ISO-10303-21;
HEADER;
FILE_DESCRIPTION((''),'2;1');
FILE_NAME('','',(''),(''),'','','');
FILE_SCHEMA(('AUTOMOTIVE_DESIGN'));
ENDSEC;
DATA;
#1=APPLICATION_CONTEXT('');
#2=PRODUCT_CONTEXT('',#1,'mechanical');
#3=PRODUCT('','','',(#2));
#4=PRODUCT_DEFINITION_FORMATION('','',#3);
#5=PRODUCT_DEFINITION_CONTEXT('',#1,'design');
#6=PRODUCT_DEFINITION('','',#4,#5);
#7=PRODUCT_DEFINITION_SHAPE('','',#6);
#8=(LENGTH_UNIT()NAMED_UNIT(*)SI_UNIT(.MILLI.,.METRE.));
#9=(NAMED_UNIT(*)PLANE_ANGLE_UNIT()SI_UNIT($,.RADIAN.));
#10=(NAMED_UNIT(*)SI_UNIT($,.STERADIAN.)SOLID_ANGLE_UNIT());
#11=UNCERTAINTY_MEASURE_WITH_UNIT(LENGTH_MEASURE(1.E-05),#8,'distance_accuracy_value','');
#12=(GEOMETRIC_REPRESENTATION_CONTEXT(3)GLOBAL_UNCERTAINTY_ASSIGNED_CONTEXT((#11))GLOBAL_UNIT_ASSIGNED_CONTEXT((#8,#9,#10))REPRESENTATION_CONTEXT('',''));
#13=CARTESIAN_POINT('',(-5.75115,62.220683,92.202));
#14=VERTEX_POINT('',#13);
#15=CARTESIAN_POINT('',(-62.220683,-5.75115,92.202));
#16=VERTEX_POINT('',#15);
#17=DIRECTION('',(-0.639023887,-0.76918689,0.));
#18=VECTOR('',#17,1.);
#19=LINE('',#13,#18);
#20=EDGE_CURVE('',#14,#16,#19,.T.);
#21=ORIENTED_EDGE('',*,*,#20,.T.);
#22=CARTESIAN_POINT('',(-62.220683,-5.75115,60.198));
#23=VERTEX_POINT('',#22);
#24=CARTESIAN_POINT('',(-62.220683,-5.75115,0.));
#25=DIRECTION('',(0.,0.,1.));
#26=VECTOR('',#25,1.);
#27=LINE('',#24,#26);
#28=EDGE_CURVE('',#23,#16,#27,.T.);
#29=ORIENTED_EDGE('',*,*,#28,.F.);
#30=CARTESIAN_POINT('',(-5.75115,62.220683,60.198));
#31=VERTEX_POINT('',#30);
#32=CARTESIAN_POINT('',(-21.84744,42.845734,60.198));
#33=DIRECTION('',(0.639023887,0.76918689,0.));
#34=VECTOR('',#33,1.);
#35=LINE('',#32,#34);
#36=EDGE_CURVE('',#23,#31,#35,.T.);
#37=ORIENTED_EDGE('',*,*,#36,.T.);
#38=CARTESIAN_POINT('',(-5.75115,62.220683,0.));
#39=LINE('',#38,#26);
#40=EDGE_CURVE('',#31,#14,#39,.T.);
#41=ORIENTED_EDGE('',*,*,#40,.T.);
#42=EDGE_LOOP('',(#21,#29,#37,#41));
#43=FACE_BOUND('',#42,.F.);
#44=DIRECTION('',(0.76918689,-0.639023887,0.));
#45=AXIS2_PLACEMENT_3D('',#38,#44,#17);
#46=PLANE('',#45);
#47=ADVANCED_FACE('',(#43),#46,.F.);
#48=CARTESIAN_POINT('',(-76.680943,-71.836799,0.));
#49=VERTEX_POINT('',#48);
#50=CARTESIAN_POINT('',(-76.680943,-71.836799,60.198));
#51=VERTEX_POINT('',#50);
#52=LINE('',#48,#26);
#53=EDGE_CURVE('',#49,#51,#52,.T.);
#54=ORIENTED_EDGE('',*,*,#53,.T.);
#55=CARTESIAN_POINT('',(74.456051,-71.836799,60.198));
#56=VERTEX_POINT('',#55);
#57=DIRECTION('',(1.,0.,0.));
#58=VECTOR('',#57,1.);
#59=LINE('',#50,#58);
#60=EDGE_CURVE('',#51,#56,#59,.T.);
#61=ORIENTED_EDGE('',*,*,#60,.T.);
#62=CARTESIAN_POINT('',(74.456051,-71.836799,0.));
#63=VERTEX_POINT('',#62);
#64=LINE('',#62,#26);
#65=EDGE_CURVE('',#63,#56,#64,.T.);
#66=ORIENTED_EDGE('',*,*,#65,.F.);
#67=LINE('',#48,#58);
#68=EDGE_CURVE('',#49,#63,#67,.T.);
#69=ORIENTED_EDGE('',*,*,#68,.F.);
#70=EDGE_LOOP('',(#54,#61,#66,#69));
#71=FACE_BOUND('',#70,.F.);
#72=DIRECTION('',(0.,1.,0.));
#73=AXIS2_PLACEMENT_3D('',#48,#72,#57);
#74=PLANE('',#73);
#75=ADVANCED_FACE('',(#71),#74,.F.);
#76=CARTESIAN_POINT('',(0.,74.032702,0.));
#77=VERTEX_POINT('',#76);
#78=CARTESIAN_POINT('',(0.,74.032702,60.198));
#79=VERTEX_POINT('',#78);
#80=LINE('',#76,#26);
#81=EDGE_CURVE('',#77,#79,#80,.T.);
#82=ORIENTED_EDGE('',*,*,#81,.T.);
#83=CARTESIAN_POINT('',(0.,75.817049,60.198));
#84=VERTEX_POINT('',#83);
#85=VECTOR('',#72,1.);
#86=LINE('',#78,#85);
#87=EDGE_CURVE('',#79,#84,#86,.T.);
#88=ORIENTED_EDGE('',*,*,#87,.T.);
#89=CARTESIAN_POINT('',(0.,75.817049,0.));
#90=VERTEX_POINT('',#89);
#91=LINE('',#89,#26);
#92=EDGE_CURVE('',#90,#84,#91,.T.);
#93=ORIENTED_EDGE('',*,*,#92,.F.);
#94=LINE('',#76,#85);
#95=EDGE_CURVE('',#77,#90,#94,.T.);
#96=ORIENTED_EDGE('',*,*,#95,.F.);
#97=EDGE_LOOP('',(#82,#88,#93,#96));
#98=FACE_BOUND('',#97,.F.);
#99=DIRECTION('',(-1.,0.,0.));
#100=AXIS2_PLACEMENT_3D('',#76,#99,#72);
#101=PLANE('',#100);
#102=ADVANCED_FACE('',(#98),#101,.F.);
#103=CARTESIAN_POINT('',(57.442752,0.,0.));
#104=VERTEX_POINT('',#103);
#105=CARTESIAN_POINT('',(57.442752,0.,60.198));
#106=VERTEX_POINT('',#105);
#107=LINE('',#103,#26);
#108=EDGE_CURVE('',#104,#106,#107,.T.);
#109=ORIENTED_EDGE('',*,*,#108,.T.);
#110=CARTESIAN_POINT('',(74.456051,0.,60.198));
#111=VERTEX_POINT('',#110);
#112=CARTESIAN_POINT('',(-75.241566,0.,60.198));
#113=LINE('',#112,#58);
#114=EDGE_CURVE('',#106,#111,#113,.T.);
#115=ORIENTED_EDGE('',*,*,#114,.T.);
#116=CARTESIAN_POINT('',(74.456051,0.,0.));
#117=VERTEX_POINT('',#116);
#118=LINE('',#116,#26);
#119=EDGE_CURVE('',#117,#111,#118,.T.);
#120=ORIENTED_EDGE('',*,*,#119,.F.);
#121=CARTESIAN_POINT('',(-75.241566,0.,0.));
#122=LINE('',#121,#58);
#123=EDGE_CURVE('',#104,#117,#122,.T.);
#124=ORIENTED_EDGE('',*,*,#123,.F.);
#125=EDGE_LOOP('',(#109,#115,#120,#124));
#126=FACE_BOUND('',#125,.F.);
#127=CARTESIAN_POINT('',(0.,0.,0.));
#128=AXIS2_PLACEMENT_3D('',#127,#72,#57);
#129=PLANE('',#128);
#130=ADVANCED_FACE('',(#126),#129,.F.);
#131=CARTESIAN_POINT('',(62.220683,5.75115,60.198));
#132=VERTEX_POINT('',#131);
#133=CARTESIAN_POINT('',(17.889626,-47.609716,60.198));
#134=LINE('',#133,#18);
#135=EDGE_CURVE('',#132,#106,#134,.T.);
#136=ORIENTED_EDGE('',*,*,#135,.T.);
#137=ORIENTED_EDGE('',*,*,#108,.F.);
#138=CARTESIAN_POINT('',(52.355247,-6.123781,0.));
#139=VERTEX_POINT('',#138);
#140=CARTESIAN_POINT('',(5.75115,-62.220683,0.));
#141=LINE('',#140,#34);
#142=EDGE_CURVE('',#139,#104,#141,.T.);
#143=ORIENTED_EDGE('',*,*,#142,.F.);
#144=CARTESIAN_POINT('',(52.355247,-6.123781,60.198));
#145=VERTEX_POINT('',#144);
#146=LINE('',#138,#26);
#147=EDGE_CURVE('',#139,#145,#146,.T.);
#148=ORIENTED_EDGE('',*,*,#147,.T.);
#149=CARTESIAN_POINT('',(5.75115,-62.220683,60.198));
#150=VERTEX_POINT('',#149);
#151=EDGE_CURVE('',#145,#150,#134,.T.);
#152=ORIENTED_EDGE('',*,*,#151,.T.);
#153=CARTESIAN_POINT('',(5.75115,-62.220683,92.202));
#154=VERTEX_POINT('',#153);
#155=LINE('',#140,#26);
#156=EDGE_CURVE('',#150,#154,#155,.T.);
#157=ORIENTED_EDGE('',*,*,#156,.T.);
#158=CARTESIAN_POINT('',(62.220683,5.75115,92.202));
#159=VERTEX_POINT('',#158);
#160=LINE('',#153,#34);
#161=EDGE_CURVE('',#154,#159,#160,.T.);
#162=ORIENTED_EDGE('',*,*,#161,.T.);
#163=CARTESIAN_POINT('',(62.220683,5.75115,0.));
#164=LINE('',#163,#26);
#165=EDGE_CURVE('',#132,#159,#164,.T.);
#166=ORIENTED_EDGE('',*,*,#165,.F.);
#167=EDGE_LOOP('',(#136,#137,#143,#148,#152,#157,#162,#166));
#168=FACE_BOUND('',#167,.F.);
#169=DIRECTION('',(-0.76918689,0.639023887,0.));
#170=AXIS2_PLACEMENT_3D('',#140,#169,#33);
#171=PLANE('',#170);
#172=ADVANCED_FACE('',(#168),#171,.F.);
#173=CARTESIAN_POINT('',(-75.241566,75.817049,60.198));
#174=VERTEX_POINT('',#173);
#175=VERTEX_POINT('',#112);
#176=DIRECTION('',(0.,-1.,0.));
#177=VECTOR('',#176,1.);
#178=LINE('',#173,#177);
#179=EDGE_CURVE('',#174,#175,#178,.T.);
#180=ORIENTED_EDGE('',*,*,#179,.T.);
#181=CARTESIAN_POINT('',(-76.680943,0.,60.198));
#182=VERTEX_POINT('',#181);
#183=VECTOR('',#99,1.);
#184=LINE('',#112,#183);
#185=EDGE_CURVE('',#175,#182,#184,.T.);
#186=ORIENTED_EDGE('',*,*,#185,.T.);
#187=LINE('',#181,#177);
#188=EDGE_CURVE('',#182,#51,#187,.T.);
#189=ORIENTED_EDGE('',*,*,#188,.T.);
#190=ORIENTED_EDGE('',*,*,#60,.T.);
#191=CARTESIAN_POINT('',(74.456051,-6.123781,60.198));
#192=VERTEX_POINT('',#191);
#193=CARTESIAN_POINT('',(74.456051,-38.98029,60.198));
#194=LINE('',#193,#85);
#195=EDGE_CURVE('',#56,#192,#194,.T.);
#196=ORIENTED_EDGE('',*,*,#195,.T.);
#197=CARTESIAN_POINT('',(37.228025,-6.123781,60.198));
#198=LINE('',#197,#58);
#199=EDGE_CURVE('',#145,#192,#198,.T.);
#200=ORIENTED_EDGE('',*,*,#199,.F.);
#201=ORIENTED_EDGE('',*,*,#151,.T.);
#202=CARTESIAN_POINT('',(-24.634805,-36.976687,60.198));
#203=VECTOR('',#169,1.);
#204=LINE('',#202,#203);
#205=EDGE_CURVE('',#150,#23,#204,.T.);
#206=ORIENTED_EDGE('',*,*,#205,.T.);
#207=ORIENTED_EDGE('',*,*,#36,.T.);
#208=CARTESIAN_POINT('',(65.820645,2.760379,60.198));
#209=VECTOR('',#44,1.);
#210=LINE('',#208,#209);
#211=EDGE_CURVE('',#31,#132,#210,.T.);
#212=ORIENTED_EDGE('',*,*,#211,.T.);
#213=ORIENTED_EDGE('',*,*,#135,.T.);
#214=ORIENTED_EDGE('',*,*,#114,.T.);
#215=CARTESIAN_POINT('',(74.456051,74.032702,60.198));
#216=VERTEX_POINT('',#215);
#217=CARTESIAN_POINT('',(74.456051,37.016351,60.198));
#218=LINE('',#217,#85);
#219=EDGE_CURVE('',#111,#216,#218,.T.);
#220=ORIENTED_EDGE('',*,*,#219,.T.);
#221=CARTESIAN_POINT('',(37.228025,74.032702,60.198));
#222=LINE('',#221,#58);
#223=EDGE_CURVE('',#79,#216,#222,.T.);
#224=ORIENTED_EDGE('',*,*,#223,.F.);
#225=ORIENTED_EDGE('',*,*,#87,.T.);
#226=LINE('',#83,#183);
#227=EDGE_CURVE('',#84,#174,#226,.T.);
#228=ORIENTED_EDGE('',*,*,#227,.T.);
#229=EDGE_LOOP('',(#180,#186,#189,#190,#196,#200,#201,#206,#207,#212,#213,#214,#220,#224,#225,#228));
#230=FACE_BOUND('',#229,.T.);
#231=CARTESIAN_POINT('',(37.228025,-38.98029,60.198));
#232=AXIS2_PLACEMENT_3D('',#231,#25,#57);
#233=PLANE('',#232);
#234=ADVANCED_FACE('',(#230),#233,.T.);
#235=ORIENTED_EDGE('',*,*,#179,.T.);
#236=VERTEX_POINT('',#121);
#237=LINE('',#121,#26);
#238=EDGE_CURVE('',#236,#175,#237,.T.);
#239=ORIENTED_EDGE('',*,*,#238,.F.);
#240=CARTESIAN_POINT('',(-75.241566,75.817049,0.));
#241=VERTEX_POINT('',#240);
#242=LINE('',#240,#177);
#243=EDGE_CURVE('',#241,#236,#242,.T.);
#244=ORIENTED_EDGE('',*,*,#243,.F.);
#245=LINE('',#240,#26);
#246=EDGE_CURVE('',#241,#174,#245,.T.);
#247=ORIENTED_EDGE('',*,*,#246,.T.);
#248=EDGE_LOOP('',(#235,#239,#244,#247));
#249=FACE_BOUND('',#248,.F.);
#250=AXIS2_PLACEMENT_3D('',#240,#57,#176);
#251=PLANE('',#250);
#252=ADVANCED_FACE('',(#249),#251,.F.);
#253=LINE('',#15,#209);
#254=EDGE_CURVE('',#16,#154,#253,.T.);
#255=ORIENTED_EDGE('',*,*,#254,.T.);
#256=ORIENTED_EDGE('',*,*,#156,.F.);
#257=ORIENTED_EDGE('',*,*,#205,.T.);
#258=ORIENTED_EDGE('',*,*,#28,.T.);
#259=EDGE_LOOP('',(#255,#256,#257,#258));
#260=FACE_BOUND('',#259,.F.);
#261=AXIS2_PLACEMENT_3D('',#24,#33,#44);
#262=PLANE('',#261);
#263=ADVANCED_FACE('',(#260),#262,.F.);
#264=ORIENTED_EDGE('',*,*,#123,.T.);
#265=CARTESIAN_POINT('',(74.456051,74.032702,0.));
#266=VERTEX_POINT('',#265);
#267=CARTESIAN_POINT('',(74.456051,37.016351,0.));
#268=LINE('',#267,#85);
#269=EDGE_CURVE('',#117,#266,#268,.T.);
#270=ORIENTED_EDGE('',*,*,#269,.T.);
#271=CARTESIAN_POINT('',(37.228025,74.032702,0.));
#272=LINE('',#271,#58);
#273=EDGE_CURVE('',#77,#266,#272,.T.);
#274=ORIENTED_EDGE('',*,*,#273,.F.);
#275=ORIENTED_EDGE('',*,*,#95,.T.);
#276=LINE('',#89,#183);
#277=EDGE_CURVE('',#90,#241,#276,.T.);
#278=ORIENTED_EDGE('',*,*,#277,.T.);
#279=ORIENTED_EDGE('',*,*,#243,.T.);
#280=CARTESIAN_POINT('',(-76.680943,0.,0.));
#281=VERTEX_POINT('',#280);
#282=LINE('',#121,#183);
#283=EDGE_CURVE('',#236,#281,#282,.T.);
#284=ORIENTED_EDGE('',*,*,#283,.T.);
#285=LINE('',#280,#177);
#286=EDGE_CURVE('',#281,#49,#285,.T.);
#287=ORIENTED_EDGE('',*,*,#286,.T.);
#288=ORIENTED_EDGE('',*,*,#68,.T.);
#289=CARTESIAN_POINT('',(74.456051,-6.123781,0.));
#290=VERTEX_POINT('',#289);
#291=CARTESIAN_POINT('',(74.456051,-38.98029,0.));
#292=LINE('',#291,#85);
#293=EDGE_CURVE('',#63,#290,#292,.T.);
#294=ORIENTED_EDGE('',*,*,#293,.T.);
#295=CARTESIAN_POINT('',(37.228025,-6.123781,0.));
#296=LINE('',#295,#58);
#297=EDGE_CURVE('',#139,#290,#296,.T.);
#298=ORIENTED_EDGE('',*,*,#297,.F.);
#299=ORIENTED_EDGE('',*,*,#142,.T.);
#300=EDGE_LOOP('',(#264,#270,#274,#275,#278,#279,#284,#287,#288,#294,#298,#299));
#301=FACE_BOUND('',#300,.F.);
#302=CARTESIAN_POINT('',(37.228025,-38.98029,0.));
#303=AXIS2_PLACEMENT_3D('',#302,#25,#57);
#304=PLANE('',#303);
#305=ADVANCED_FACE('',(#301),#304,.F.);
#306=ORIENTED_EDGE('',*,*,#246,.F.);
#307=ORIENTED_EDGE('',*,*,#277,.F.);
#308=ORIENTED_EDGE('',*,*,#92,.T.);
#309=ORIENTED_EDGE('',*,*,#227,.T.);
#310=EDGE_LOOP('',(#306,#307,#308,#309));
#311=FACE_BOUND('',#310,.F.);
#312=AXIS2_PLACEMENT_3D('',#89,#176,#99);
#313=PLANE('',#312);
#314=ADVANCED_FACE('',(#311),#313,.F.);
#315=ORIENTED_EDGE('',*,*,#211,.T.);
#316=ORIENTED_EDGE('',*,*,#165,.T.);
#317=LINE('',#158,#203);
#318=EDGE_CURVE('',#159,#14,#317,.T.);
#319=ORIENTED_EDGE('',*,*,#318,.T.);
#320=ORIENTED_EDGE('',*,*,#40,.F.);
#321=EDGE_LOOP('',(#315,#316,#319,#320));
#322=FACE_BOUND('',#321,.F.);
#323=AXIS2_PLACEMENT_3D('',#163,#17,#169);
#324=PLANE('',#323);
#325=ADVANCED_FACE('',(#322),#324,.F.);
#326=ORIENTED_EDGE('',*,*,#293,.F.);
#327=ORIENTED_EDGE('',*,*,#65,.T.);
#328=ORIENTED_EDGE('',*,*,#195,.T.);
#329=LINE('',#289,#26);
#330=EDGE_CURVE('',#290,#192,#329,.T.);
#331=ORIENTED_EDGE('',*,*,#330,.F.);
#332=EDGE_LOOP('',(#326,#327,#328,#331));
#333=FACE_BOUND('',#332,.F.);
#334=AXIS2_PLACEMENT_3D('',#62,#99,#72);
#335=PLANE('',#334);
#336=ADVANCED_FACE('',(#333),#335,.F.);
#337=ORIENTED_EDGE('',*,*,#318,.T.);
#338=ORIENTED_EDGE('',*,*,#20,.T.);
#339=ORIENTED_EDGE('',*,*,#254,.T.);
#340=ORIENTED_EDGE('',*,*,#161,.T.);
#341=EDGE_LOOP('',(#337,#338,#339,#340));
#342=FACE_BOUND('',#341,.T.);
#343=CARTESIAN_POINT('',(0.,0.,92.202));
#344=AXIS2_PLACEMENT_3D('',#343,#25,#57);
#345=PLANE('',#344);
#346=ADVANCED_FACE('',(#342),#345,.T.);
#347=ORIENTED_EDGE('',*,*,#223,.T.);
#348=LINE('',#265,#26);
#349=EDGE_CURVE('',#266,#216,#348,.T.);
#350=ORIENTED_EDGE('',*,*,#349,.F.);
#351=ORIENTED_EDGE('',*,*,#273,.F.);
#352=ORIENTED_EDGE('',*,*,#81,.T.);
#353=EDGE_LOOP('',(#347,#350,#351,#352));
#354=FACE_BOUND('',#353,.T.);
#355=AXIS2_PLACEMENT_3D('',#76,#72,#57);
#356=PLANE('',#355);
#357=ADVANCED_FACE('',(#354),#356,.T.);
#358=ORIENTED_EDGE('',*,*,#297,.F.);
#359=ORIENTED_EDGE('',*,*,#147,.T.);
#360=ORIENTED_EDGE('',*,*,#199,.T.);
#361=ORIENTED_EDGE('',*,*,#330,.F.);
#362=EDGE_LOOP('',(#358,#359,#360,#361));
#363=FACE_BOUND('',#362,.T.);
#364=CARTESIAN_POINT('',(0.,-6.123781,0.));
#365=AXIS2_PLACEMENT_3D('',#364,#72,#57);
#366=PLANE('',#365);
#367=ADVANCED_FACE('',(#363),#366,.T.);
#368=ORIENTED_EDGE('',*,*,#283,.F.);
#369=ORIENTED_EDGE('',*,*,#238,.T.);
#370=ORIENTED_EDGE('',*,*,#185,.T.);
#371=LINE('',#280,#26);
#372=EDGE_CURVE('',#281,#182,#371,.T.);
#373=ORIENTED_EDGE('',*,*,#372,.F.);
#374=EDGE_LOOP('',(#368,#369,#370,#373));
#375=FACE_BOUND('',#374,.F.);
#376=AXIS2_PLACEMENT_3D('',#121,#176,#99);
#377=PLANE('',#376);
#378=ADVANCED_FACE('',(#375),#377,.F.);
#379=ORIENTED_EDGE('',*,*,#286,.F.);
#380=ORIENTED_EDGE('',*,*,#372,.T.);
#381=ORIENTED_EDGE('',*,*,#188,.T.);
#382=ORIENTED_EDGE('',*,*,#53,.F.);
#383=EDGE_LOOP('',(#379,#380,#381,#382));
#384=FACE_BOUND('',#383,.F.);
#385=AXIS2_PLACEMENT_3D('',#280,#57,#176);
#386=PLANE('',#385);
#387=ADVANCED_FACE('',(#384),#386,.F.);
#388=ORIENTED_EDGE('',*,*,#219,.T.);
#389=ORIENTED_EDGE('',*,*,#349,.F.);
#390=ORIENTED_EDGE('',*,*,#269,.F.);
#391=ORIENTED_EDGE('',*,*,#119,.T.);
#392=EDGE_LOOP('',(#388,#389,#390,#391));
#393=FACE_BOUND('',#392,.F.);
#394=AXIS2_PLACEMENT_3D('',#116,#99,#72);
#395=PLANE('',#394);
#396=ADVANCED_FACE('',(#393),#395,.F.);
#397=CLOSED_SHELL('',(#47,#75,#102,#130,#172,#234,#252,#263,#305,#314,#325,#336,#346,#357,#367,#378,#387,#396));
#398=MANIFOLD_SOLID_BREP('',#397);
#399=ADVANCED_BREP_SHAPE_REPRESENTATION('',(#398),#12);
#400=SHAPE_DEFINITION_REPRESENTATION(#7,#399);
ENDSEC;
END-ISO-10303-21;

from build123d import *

# Parameters (mm, degrees)
F0_W     = 74.456050992
F0_H     = 65.7130181789
F0_H_2   = 74.0327015519
F1_DEPTH = 60.198
F3_DEPTH = 92.202


with BuildPart() as f1:
    # F0 (on Top) → F1 (new body)
    with BuildSketch(Plane.XY):
        with Locations((37.228025496, -38.9802902937)):
            Rectangle(F0_W, F0_H)
        with Locations((37.228025496, 37.016350776)):
            Rectangle(F0_W, F0_H_2)
        Polygon((-75.2415657043, 0), (0, 0), (0, 74.0327015519), (0, 75.8170485497), (-75.2415657043, 75.8170485497), align=None)
        Polygon((0, -6.1237812042), (0, 0), (-75.2415657043, 0), (-76.6809433699, 0), (-76.6809433699, -71.8367993832), (0, -71.8367993832), align=None)
    extrude(amount=F1_DEPTH)

    # F2 (on Top) → F3 (join)
    with BuildSketch(Plane.XY):
        Polygon((-5.7511497289, 62.2206833214), (-62.2206833214, -5.7511497289), (5.7511497289, -62.2206833214), (62.2206833214, 5.7511497289), align=None)
    extrude(amount=F3_DEPTH)


solid = f1.part
